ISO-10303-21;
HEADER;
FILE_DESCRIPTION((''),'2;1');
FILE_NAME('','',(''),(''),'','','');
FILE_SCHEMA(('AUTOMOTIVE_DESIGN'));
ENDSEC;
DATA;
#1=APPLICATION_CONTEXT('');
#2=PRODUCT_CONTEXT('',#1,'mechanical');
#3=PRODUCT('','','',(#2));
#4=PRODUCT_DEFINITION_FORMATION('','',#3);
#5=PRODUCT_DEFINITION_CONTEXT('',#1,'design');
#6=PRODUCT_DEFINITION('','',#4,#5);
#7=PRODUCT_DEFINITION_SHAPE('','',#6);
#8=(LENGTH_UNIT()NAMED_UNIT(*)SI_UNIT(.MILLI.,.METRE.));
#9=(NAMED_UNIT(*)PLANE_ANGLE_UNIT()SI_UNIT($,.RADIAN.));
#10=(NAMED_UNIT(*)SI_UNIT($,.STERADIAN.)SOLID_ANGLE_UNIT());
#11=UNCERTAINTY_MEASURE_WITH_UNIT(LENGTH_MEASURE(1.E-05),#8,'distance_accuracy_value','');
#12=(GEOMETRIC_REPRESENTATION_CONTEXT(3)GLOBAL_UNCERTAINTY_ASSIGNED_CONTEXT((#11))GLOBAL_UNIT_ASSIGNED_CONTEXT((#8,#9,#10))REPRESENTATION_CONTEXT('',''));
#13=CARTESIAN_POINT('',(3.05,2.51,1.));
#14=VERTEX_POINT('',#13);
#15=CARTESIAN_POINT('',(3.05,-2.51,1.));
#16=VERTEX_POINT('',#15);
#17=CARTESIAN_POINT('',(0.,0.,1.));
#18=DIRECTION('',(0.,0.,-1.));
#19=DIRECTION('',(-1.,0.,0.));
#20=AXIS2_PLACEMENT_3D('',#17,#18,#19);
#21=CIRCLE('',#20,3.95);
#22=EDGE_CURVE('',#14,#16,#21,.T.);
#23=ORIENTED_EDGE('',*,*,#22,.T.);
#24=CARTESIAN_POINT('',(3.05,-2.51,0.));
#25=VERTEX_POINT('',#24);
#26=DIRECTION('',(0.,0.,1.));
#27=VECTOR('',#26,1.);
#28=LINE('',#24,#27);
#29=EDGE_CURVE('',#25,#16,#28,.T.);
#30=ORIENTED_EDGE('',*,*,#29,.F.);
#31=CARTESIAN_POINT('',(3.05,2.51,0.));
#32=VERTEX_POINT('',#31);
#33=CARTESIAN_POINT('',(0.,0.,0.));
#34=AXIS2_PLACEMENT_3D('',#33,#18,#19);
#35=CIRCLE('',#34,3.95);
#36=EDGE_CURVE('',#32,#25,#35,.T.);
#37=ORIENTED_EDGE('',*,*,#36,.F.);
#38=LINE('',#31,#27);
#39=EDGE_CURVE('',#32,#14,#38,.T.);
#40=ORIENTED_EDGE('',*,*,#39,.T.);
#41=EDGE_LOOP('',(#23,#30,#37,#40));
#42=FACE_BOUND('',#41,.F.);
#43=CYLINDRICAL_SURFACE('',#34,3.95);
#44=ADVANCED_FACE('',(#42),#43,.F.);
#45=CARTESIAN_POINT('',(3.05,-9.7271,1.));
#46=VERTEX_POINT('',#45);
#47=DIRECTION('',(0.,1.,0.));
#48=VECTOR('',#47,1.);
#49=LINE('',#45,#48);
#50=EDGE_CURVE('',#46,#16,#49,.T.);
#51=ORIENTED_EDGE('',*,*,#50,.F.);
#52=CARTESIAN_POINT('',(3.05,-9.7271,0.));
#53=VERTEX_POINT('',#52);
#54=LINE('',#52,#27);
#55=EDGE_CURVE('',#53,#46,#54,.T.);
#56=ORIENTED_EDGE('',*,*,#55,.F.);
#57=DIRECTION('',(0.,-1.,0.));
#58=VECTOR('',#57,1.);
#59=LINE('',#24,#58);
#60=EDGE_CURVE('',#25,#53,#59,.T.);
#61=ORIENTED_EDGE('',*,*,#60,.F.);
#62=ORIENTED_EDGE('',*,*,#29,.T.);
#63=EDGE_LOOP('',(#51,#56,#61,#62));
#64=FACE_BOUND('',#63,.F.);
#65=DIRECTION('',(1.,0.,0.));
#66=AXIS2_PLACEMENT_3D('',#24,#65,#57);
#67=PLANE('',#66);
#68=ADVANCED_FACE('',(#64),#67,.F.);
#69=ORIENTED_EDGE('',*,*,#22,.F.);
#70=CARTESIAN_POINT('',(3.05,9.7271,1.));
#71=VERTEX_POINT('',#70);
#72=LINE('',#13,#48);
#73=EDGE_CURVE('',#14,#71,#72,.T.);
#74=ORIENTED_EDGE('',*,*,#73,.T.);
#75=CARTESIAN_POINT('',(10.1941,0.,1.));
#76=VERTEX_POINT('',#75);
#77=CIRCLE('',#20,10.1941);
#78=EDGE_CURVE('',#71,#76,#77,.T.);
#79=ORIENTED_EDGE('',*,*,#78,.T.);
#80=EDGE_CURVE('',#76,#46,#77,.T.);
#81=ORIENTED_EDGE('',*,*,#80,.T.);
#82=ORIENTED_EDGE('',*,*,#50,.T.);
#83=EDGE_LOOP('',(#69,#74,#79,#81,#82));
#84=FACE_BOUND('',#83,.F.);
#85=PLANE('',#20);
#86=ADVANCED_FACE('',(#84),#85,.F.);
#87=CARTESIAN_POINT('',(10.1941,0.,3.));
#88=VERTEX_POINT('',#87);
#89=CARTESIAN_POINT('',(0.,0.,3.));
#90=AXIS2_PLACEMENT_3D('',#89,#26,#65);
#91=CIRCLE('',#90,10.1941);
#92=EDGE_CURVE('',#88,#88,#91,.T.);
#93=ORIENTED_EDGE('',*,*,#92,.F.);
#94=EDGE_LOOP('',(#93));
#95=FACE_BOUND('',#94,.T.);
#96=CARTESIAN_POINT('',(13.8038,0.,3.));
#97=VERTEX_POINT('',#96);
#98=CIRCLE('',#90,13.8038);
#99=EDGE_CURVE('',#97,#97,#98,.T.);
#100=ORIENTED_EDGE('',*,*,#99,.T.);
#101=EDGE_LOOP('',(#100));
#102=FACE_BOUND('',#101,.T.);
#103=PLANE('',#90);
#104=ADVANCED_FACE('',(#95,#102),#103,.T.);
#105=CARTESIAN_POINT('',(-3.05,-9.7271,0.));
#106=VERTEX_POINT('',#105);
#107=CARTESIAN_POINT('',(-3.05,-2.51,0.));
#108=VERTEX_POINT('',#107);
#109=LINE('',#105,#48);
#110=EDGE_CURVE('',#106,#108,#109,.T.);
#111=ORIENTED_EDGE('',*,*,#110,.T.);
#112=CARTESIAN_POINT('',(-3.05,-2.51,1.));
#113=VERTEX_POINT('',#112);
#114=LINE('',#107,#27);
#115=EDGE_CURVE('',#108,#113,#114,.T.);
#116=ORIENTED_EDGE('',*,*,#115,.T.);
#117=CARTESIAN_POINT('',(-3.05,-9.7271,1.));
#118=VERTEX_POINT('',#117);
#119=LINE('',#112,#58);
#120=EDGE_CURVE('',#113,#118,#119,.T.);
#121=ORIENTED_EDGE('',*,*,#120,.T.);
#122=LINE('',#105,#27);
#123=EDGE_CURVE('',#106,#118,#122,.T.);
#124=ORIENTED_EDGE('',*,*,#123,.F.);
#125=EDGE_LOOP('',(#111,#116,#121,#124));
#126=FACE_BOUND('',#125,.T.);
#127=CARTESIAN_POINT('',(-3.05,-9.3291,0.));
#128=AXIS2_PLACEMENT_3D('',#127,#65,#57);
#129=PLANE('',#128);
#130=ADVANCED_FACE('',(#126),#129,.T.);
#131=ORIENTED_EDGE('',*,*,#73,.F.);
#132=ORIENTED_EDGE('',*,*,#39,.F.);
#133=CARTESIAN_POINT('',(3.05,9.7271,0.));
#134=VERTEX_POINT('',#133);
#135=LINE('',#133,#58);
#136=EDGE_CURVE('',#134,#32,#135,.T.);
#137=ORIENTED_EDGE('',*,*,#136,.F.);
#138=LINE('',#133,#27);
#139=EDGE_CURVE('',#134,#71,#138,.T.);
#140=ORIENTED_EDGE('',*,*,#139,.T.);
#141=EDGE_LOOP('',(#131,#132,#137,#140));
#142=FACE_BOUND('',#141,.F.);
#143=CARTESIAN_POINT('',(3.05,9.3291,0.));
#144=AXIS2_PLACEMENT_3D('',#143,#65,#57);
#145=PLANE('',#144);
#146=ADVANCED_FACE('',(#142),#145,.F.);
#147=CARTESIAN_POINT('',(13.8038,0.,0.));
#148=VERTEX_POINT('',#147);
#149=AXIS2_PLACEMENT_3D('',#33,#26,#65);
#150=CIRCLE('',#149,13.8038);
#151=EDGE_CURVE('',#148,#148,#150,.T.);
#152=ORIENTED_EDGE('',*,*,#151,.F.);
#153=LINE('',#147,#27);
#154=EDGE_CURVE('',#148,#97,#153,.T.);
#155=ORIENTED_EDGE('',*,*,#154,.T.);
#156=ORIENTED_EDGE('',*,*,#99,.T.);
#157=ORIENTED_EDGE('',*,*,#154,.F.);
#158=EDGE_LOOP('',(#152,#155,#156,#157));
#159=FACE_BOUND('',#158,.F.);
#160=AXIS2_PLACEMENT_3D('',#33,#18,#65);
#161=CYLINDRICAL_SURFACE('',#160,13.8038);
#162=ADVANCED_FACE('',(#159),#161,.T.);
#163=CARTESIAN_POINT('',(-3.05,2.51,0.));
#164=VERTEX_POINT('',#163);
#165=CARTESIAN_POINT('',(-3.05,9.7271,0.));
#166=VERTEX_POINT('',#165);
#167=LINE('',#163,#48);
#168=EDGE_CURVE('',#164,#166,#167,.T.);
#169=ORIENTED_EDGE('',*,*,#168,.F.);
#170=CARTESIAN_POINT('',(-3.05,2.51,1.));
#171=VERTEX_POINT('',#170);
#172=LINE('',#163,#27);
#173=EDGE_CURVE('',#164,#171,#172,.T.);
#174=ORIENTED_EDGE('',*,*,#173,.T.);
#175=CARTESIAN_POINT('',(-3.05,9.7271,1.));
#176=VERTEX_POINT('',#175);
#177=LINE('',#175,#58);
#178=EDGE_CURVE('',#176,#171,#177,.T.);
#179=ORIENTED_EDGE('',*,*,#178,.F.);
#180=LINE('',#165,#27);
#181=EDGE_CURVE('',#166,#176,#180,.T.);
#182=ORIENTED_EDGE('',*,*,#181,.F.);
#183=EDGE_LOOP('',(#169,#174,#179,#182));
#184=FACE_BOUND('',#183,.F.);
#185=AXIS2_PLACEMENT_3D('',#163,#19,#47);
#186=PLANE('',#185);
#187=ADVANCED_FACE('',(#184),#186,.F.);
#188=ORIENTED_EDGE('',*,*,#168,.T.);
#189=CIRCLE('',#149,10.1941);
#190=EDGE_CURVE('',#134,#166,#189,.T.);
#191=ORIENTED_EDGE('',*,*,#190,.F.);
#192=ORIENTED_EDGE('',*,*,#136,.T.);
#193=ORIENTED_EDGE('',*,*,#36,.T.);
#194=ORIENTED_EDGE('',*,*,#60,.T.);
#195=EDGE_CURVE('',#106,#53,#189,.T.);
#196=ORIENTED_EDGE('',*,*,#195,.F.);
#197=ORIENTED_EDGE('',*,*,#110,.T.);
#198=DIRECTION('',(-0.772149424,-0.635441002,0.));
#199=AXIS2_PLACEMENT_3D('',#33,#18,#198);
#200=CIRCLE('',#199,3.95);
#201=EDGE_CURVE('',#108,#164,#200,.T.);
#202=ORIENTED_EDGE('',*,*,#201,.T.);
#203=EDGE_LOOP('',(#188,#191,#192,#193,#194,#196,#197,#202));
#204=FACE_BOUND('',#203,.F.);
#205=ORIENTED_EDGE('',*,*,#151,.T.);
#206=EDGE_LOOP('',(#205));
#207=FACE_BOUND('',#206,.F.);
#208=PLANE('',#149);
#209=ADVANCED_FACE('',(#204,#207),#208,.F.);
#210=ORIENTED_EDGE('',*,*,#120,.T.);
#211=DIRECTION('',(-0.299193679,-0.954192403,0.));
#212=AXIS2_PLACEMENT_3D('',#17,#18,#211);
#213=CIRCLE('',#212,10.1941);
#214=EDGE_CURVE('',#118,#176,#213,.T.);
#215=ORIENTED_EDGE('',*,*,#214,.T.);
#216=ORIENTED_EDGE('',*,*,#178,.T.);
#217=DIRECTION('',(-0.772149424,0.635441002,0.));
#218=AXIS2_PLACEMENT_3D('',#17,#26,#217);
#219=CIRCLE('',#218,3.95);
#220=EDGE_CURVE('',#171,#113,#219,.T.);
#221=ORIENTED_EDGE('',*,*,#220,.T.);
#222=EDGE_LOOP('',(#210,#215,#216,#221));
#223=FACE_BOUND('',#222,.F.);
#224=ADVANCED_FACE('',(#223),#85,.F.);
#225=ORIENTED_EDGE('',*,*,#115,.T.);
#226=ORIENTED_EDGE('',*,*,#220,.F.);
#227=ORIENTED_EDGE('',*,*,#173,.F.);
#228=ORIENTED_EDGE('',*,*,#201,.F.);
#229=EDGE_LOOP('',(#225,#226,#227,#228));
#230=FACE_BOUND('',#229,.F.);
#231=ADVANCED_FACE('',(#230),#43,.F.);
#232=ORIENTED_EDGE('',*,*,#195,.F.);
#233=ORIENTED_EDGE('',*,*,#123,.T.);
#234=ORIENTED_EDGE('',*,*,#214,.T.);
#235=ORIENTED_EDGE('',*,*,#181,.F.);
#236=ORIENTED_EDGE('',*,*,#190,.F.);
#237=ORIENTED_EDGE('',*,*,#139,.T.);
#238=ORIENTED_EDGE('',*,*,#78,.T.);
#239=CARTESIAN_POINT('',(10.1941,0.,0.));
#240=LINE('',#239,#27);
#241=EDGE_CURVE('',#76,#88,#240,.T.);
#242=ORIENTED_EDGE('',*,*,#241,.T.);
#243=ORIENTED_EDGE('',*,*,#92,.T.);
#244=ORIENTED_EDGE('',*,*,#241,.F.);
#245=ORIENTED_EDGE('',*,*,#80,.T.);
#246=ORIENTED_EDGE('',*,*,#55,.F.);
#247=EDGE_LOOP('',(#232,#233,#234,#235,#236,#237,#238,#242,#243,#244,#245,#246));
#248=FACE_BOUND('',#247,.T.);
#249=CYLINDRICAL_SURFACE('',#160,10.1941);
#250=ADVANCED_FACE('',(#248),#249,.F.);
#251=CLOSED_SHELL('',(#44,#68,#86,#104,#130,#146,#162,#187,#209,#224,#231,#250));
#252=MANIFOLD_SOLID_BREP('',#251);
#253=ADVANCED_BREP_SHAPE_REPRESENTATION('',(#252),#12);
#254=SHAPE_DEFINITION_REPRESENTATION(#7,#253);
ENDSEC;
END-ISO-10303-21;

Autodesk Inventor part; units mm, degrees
ref_plane "YZ Plane" through (0, 0, 0) normal (1, 0, 0) x (0, 1, 0)
ref_plane "XZ Plane" through (0, 0, 0) normal (0, 1, 0) x (-1, 0, 0)
ref_plane "XY Plane" through (0, 0, 0) normal (0, 0, 1) x (1, 0, 0)
sketch "Эскиз1" plane through (0, 0, 0) normal (0, 0, 1) x (1, 0, 0)
  circle A0 centre (0, 0) radius 13.8038
  circle A1 centre (0, 0) radius 9.815 projected
  line L0 (-3.05, 2.51) -> (-3.05, 9.3291) projected
  line L1 (3.05, 9.3291) -> (3.05, 2.51) projected
  line L2 (-3.05, -9.3291) -> (-3.05, -2.51) projected
  line L3 (3.05, -2.51) -> (3.05, -9.3291) projected
  line L4 (-3.05, -2.51) -> (-3.05, 2.51)
  line L5 (3.05, -2.51) -> (3.05, 2.51)
  circle A2 centre (0, 0) radius 10.1941
extrude "Выдавливание1" add sketch "Эскиз1" along normal blind 3 contours A0
sketch "Эскиз2" plane through (0, 0, 0) normal (0, 0, -1) x (-1, 0, 0)
  line L0 (-3.05, 9.3291) -> (-3.05, 2.51) projected
  circle A0 centre (0, 0) radius 3.95 projected
  line L1 (-3.05, -2.51) -> (-3.05, -9.3291) projected
  line L2 (3.05, -9.3291) -> (3.05, -2.51) projected
  line L3 (3.05, 2.51) -> (3.05, 9.3291) projected
  line L4 (-3.05, -9.3291) -> (-3.05, -9.7271)
  circle A1 centre (0, 0) radius 10.1941 projected
  line L5 (3.05, -9.3291) -> (3.05, -9.7271)
  line L6 (-3.05, 9.3291) -> (-3.05, 9.7271)
  line L7 (3.05, 9.3291) -> (3.05, 9.7271)
extrude "Выдавливание2" add sketch "Эскиз2" against normal blind 1 contours L0 A0 L1 L4 A1 L6 | L3 L7 A1 L5 L2 A0
